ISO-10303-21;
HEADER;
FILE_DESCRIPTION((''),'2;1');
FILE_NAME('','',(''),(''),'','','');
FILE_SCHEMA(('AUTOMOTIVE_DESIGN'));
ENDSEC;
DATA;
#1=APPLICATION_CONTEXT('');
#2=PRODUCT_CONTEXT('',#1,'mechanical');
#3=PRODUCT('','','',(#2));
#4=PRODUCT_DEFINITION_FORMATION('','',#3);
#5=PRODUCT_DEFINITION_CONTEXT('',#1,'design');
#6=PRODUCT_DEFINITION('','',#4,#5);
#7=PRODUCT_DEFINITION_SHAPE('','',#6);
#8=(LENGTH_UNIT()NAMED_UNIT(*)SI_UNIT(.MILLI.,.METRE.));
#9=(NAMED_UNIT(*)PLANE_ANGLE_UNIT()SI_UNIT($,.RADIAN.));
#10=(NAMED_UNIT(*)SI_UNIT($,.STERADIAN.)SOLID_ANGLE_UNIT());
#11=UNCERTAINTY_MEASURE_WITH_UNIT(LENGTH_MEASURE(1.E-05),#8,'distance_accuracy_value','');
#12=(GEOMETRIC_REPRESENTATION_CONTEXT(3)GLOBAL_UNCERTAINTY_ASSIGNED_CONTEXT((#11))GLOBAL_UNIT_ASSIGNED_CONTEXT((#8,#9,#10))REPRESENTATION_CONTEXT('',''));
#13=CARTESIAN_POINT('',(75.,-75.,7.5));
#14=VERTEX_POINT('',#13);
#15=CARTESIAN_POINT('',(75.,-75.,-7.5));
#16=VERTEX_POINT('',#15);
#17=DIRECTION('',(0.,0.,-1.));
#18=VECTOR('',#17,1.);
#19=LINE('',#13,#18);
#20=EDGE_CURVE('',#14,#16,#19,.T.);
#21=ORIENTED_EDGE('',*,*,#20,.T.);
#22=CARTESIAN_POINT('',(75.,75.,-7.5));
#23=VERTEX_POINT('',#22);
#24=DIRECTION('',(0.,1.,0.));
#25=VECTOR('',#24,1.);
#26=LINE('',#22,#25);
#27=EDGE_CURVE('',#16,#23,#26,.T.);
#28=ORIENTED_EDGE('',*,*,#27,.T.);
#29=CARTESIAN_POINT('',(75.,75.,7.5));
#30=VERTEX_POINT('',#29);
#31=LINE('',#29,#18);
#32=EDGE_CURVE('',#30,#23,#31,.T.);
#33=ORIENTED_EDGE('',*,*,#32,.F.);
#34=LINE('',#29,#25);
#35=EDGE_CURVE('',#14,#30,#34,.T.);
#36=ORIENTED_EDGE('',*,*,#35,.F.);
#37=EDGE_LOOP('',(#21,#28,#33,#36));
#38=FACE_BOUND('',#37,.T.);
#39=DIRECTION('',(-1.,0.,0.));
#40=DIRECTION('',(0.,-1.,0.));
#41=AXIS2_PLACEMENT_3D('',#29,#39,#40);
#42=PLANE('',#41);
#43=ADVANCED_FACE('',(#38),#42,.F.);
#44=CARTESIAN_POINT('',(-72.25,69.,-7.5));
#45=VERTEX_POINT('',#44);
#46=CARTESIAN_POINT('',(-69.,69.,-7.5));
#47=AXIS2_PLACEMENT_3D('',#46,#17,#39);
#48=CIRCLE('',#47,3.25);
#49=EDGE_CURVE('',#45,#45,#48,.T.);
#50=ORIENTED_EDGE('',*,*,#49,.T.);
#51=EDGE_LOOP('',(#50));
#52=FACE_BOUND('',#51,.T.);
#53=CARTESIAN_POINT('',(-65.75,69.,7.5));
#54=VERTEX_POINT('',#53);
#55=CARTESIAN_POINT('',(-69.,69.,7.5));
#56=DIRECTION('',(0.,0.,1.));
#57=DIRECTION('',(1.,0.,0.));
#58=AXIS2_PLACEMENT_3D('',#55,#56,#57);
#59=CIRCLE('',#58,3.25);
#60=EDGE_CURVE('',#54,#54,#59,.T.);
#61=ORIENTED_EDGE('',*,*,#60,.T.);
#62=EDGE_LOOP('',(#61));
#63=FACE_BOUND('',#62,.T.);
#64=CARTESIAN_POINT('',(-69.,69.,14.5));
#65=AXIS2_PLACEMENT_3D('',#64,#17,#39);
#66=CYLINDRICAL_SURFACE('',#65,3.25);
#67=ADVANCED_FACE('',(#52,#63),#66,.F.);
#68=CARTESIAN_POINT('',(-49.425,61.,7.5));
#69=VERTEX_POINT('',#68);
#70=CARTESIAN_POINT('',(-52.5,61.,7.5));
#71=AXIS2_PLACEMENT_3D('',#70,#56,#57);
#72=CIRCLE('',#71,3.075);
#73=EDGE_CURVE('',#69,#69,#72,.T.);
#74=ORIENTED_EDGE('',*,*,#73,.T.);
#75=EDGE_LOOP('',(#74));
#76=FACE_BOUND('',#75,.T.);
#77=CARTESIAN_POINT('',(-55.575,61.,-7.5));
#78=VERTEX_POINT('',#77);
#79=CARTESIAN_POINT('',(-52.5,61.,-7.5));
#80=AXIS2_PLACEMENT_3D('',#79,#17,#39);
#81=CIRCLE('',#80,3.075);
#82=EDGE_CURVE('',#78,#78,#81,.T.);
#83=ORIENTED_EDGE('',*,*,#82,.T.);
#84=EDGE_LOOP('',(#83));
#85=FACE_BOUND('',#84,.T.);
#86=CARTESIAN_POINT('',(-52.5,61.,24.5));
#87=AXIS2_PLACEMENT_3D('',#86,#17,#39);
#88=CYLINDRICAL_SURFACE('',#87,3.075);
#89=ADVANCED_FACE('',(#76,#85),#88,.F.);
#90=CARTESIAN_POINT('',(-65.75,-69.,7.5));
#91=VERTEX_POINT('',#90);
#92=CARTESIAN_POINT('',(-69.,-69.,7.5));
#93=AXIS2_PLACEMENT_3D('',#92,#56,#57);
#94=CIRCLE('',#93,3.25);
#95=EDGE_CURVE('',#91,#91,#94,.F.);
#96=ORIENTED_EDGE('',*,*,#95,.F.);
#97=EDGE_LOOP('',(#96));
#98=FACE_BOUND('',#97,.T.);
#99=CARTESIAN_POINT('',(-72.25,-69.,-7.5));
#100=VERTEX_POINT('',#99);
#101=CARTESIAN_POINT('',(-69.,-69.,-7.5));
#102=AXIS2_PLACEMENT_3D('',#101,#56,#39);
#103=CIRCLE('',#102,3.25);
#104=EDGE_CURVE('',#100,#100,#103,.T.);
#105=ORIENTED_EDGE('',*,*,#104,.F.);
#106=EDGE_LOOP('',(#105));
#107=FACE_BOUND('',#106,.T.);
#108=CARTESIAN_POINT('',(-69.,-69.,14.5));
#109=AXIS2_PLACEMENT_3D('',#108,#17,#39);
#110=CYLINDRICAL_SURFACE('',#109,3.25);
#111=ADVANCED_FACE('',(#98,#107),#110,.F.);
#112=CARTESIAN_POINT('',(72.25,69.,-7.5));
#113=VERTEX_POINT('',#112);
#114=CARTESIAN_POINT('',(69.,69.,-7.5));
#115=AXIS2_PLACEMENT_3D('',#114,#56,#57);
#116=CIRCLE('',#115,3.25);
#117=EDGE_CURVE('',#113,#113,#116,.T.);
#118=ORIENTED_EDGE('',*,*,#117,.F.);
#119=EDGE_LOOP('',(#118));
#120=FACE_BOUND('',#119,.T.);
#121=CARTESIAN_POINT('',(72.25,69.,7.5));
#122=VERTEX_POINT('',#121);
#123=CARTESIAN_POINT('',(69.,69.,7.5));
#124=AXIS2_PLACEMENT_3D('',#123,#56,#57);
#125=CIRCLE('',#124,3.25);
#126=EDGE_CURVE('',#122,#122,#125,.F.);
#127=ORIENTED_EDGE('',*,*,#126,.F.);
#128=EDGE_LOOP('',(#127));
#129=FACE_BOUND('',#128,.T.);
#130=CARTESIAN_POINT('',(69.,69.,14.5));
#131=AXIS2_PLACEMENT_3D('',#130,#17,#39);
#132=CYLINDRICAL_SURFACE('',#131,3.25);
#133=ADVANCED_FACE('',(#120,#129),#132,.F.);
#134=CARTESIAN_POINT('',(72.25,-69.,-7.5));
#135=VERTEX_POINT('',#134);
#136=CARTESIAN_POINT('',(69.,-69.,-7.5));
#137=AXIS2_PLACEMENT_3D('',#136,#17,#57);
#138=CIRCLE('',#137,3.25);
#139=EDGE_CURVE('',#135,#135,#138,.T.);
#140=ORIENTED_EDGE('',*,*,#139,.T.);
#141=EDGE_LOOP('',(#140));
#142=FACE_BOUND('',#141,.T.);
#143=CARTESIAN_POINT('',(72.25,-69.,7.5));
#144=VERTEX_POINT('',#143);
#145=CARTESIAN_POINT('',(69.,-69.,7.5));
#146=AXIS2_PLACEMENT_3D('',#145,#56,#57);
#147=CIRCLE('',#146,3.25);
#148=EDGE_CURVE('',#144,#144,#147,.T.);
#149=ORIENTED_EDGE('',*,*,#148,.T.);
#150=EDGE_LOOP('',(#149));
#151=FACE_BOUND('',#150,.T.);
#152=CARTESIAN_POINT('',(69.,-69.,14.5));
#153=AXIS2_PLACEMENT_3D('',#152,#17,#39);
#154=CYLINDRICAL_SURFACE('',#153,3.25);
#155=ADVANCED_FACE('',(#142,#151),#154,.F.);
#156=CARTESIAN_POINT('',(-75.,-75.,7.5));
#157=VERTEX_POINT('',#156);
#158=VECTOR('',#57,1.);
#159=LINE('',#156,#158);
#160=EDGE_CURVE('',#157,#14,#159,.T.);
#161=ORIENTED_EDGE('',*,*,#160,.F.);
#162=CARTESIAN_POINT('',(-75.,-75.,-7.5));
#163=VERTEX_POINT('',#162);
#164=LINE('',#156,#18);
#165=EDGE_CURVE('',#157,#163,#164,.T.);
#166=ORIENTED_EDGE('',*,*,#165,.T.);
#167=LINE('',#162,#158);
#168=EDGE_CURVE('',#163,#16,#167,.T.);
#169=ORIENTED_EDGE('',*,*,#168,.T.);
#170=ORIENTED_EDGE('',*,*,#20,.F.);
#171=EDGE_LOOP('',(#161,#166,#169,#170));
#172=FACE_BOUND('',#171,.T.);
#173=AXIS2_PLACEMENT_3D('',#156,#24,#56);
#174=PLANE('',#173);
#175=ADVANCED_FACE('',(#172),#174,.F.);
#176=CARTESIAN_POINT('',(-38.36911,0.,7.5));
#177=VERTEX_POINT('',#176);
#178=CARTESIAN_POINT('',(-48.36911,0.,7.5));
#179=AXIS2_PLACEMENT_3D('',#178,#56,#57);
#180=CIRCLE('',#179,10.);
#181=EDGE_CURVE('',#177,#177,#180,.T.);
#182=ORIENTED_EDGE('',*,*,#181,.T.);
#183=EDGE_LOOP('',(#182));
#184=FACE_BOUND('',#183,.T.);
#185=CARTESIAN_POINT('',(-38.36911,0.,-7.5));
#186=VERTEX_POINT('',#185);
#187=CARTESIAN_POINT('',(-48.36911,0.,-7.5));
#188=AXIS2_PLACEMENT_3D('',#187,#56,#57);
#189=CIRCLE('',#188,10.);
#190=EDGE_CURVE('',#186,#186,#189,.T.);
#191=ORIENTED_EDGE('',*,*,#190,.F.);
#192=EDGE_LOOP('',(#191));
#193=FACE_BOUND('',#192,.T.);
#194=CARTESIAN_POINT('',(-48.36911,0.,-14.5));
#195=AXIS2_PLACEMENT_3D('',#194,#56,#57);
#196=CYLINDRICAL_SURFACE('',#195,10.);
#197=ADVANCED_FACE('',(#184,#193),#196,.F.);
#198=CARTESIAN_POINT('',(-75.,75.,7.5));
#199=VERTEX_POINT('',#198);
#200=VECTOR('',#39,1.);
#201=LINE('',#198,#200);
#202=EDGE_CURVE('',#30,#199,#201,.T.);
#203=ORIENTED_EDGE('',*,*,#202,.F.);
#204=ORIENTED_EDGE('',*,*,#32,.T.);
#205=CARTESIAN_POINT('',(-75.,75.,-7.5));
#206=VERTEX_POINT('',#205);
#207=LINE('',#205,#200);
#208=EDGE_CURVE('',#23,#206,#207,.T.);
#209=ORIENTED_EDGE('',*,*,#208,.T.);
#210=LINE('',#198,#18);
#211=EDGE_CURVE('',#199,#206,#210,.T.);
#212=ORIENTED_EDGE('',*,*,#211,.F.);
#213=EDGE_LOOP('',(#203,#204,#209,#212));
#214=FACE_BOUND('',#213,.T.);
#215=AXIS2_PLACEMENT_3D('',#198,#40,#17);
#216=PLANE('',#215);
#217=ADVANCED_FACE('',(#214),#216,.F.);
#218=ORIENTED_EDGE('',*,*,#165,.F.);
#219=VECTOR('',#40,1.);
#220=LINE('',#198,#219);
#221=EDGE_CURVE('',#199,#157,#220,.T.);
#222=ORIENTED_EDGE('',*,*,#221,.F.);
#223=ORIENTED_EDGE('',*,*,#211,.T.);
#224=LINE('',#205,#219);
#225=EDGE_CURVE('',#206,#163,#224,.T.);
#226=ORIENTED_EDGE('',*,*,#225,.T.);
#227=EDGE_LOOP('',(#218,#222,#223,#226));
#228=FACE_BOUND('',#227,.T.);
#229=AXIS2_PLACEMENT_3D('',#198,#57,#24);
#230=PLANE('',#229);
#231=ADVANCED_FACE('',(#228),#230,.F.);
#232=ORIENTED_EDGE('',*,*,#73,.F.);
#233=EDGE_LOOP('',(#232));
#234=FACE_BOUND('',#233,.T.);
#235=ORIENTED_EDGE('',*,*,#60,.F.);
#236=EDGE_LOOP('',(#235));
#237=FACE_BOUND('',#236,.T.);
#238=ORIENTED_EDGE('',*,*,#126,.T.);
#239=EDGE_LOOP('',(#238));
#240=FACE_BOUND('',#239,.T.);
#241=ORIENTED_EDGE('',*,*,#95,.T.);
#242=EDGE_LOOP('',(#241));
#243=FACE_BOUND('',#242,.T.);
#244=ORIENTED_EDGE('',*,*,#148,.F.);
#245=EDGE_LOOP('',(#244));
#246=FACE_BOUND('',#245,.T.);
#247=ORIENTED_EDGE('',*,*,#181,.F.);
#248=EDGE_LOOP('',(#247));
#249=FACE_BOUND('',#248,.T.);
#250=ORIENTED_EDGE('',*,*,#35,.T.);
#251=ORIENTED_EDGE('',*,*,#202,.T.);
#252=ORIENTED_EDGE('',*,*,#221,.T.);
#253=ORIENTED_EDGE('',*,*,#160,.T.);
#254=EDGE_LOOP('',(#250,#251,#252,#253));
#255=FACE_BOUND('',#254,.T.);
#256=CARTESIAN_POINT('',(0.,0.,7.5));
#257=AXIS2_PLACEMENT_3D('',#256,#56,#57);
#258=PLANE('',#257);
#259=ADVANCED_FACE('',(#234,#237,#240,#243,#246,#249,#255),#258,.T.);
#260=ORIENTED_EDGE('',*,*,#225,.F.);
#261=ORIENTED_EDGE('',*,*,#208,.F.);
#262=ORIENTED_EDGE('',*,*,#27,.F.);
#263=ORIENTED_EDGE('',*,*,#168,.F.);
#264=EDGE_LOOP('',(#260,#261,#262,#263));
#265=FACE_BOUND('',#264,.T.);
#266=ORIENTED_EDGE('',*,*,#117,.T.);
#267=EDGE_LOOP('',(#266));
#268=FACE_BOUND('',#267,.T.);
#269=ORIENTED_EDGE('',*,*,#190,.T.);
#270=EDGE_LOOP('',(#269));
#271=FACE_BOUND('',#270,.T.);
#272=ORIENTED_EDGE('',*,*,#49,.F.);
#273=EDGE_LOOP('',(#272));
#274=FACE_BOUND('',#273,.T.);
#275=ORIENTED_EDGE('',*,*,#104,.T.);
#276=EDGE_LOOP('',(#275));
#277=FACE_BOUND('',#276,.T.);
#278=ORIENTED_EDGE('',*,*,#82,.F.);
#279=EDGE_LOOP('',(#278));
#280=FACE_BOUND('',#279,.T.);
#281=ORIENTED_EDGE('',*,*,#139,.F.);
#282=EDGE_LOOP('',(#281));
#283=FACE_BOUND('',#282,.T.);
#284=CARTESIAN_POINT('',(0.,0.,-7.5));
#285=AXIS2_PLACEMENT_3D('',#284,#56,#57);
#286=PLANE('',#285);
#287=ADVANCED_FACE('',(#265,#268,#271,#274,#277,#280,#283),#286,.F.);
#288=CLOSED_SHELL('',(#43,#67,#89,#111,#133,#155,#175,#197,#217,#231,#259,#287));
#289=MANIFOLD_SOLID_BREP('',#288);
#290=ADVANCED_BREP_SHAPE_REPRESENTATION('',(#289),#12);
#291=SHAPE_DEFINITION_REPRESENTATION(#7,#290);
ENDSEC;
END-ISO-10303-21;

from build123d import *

# Parameters (mm, degrees)
SKETCH1_W               = 150
SKETCH1_H               = 150
BOSS_EXTRUDE1_DEPTH     = 7.5
SKETCH2_R               = 3.075
CUT_EXTRUDE2_DEPTH      = 32
SKETCH5_R               = 10
CUT_EXTRUDE5_DEPTH      = 22
SKETCH6_R               = 3.25
CUT_EXTRUDE6_DEPTH      = 22
MIRROR2_COPY_1_SKETCH_R = 3.25
MIRROR2_COPY_1_DEPTH    = 22


with BuildPart() as part:
    # Sketch1 → Boss-Extrude1 (new, symmetric)
    with BuildSketch(Plane.XY):
        Rectangle(SKETCH1_W, SKETCH1_H)
    extrude(amount=BOSS_EXTRUDE1_DEPTH, both=True)

    # Sketch2 → Cut-Extrude2 (cut)
    with BuildSketch(Plane(origin=(0, 0, -7.5), x_dir=(-1, 0, 0), z_dir=(0, 0, -1))):
        with Locations((52.5, 61)):
            Circle(SKETCH2_R)
    extrude(amount=-CUT_EXTRUDE2_DEPTH, mode=Mode.SUBTRACT)

    # Sketch5 → Cut-Extrude5 (cut)
    with BuildSketch(Plane.XY.offset(7.5)):
        with Locations((-48.369109736, 0)):
            Circle(SKETCH5_R)
    extrude(amount=-CUT_EXTRUDE5_DEPTH, mode=Mode.SUBTRACT)

    # Sketch6 → Cut-Extrude6 (cut)
    with BuildSketch(Plane(origin=(0, 0, -7.5), x_dir=(-1, 0, 0), z_dir=(0, 0, -1))):
        with Locations((69, 69)):
            Circle(SKETCH6_R)
    cut_extrude6 = extrude(amount=-CUT_EXTRUDE6_DEPTH, mode=Mode.SUBTRACT)

    # Mirror1: Cut-Extrude6 across plane
    add(cut_extrude6.mirror(Plane.ZX), mode=Mode.SUBTRACT)

    # Mirror2: Cut-Extrude6 across plane
    add(cut_extrude6.mirror(Plane(origin=(0, 0, 0), x_dir=(0, 0, 1), z_dir=(1, 0, 0))), mode=Mode.SUBTRACT)

    # Mirror2 copy 1 sketch → Mirror2 copy 1 (cut)
    with BuildSketch(Plane(origin=(0, 0, -7.5), x_dir=(1, 0, 0), z_dir=(0, 0, -1))):
        with Locations((69, 69)):
            Circle(MIRROR2_COPY_1_SKETCH_R)
    extrude(amount=-MIRROR2_COPY_1_DEPTH, mode=Mode.SUBTRACT)


solid = part.part
